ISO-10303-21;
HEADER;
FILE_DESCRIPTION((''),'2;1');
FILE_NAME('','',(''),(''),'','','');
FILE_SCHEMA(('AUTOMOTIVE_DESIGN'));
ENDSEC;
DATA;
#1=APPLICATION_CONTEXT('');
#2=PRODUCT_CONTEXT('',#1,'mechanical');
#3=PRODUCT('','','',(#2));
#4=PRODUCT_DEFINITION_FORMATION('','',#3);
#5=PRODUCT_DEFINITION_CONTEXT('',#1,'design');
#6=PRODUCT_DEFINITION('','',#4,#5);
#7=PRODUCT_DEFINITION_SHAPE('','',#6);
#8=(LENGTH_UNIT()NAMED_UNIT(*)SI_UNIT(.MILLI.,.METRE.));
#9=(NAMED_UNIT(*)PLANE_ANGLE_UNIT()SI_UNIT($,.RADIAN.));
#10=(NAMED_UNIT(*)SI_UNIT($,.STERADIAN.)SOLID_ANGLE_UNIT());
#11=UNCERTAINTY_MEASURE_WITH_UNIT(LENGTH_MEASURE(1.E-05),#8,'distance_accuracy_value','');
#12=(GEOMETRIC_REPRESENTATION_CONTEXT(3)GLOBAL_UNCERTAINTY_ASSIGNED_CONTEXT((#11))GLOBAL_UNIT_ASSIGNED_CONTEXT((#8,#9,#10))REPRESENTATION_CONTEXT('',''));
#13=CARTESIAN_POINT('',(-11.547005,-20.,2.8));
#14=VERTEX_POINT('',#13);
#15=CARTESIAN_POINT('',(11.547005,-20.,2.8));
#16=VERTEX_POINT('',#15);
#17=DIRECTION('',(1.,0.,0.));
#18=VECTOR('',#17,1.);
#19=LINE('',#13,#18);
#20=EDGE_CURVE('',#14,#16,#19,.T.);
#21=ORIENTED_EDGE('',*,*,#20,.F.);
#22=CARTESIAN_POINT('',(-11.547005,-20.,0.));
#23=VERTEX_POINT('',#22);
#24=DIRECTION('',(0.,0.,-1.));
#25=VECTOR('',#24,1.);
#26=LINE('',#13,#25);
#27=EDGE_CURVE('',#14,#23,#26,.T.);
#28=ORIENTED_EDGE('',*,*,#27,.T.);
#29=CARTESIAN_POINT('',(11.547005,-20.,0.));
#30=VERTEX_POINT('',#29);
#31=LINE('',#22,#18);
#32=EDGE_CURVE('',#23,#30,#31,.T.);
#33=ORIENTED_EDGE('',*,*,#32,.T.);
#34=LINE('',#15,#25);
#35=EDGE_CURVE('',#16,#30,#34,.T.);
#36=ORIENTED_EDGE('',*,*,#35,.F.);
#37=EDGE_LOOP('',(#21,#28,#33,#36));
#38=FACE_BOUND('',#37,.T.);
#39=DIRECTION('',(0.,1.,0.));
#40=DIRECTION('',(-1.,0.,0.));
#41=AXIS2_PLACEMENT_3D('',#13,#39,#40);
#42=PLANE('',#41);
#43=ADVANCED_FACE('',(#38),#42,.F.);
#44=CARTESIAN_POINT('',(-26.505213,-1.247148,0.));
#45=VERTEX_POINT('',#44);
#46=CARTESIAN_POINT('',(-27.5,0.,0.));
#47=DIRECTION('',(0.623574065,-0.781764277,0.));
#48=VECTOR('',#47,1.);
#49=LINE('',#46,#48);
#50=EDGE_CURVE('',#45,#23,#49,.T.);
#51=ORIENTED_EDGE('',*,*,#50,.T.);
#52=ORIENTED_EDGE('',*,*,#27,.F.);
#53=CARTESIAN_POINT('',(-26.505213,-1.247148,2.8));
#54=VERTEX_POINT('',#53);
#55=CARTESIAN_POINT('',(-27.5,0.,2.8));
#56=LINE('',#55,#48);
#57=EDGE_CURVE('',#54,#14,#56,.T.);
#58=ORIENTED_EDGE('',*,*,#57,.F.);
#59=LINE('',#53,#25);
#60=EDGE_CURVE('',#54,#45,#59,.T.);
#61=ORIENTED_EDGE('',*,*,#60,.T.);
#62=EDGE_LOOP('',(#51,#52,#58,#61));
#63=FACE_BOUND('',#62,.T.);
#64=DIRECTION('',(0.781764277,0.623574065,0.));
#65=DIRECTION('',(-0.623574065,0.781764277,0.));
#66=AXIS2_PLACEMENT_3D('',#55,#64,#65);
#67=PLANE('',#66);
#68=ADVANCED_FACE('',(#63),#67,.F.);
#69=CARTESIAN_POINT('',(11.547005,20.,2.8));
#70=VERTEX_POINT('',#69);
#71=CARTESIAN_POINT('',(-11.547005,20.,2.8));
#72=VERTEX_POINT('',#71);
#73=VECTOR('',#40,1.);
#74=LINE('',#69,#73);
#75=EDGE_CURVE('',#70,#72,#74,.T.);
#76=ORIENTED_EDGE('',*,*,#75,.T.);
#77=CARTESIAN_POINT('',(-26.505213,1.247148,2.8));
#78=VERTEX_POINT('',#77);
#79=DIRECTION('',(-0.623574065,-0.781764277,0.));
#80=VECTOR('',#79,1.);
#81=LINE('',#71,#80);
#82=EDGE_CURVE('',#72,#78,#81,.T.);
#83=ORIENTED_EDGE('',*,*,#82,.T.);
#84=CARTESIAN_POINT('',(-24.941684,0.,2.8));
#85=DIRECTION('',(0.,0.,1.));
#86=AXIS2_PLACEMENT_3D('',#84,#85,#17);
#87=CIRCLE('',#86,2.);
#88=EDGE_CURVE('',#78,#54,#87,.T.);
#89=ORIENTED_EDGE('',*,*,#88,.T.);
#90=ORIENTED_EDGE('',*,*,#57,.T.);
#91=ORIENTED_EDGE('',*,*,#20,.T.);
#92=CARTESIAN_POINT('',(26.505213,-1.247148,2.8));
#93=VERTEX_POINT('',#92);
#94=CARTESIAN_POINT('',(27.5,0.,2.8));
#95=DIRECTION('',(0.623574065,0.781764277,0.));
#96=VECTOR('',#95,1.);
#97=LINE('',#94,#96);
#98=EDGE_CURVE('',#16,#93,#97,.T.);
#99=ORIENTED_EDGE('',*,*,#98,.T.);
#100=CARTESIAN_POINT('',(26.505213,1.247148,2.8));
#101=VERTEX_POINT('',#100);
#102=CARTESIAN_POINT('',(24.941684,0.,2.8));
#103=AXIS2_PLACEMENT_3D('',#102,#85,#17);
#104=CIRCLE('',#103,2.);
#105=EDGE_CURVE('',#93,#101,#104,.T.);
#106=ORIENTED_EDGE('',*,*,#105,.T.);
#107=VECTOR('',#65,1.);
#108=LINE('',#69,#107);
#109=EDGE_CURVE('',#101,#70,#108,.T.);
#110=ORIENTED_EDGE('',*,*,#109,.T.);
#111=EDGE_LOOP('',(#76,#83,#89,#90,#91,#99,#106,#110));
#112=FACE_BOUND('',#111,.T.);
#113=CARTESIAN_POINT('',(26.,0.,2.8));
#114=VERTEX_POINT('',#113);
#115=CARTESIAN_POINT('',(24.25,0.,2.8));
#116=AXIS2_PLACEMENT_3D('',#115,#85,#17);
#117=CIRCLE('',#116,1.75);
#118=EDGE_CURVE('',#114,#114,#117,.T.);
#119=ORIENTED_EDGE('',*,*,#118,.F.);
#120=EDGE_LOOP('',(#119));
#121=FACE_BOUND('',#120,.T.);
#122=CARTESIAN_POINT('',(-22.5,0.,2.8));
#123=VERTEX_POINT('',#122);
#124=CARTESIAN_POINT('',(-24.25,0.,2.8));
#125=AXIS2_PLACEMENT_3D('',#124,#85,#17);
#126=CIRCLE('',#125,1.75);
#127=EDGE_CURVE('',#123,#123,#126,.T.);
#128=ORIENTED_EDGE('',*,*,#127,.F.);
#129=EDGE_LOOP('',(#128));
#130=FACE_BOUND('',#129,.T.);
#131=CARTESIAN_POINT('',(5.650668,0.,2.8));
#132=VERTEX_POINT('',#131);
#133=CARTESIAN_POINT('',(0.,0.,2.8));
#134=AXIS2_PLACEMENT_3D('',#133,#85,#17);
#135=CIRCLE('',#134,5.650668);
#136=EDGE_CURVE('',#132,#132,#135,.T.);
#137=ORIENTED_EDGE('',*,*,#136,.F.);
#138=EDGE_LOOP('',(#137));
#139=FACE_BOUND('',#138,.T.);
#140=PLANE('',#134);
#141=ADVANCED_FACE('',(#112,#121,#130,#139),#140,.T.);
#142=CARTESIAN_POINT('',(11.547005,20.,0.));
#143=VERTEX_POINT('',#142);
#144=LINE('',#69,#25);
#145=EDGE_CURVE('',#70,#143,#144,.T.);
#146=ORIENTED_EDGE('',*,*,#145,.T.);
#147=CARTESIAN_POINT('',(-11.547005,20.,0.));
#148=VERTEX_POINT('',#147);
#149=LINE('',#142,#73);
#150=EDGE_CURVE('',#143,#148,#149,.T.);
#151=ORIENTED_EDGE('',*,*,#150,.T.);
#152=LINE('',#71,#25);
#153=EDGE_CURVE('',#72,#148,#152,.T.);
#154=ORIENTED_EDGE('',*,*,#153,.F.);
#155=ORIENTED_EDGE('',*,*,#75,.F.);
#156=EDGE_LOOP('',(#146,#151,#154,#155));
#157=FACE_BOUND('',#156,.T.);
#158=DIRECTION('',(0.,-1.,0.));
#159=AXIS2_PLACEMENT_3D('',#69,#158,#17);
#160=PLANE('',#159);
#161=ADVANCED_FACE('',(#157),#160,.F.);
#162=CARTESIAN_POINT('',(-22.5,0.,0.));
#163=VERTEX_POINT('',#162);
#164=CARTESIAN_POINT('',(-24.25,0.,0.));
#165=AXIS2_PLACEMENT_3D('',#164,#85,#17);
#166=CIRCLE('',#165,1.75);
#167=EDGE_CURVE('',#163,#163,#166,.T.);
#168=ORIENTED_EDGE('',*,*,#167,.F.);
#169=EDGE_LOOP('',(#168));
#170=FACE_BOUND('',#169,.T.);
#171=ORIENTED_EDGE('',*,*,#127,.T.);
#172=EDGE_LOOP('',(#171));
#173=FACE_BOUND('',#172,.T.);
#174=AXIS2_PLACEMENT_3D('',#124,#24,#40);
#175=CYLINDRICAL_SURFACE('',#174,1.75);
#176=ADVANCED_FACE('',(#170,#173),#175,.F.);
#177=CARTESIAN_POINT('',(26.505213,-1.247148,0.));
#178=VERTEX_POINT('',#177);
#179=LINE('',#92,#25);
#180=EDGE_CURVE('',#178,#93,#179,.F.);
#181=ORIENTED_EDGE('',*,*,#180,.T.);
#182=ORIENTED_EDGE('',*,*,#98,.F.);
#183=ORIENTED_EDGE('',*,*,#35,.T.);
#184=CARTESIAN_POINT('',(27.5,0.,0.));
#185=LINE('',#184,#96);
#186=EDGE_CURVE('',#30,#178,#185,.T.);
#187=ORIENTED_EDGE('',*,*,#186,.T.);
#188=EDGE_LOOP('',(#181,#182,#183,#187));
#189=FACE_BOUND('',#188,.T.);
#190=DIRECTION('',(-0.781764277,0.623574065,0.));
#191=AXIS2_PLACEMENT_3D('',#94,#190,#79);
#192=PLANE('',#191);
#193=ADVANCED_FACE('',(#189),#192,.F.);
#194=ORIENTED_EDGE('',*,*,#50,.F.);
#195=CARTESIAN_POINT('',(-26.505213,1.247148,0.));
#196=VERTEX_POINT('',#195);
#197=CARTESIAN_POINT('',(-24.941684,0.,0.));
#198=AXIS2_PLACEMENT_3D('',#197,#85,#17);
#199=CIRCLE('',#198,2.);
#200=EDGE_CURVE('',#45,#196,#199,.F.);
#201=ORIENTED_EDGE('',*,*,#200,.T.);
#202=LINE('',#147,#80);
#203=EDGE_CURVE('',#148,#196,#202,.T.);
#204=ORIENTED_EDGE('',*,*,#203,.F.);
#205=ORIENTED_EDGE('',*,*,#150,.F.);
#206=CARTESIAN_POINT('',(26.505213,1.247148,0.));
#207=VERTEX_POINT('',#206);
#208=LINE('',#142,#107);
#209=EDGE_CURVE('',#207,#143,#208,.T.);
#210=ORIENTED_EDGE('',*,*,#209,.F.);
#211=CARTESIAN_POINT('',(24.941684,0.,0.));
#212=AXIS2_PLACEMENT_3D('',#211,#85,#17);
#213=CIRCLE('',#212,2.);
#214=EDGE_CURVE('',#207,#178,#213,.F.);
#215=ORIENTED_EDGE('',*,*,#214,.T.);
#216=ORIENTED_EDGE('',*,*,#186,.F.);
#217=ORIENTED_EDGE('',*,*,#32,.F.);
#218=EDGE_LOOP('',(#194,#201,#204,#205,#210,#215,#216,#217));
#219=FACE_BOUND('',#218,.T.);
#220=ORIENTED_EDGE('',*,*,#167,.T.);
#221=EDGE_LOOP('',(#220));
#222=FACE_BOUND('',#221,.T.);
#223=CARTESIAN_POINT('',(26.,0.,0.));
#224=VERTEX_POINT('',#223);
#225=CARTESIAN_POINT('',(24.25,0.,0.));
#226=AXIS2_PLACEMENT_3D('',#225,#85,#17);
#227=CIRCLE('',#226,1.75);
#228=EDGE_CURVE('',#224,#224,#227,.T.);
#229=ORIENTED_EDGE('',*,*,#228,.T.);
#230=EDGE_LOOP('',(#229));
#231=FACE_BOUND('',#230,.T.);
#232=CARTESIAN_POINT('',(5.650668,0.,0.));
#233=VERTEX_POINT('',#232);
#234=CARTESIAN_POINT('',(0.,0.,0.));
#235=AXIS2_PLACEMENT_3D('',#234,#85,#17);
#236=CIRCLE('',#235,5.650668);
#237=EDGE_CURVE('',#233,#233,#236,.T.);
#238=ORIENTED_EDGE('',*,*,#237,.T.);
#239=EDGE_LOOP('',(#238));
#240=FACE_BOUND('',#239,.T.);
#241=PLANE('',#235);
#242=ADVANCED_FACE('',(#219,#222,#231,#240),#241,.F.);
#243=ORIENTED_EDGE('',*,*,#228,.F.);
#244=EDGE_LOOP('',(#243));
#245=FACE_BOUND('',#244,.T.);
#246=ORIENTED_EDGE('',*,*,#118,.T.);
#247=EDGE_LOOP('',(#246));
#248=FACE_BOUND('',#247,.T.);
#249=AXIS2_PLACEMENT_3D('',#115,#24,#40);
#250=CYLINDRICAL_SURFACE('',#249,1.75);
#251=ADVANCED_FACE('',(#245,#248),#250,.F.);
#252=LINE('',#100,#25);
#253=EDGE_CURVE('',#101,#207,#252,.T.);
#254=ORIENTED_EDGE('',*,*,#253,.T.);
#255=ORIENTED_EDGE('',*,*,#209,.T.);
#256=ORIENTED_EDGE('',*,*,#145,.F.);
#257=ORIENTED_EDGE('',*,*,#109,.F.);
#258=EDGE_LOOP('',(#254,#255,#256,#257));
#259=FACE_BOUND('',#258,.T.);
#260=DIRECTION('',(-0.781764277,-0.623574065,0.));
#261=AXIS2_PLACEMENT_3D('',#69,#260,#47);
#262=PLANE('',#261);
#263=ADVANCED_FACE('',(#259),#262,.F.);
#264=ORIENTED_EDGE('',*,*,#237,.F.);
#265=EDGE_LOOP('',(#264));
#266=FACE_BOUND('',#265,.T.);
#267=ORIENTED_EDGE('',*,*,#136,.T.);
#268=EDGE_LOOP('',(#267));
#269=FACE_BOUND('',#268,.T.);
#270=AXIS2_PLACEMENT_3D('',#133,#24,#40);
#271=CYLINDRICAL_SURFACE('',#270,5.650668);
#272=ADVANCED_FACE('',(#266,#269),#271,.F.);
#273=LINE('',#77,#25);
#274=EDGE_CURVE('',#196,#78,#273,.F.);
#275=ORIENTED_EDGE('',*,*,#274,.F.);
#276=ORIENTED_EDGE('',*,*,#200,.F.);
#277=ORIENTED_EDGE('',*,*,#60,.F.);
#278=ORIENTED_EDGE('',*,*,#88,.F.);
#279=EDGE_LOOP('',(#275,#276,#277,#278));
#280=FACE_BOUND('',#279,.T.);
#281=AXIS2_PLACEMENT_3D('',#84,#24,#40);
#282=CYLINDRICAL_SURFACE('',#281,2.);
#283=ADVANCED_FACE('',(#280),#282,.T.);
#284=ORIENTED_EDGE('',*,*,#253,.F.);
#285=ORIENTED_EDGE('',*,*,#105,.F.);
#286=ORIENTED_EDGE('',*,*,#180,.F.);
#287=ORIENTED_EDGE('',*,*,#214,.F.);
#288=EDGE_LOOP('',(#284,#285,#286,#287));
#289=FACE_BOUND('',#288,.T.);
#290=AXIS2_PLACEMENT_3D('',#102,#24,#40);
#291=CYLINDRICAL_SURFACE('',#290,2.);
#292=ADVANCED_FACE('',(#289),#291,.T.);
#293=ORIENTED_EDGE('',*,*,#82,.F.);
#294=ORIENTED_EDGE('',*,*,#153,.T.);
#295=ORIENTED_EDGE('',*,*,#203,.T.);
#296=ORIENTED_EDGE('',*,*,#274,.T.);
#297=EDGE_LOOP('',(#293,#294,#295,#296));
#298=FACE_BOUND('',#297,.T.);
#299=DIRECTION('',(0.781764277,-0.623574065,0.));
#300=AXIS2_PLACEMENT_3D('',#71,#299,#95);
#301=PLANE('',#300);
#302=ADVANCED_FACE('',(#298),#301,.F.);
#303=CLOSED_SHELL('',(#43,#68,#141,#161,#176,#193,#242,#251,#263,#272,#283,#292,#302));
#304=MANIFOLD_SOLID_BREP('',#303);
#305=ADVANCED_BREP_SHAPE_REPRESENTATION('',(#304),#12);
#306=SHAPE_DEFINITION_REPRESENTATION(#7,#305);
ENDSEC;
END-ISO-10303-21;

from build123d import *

# Parameters (mm, degrees)
SKETCH1_R           = 5.650668072
SKETCH1_R_2         = 1.75
BOSS_EXTRUDE1_DEPTH = 2.8
FILLET1_R           = 2


with BuildPart() as part:
    # Sketch1 → Boss-Extrude1 (new body)
    with BuildSketch(Plane.XY):
        Polygon((11.547005384, 20), (27.5, 0), (11.547005384, -20), (-11.547005384, -20), (-27.5, 0), (-11.547005384, 20), align=None)
        Circle(SKETCH1_R, mode=Mode.SUBTRACT)
        with Locations((-24.25, 0)):
            Circle(SKETCH1_R_2, mode=Mode.SUBTRACT)
        with Locations((24.25, 0)):
            Circle(SKETCH1_R_2, mode=Mode.SUBTRACT)
    extrude(amount=BOSS_EXTRUDE1_DEPTH)

    # Fillet1
    fillet1_edges = [part.edges().sort_by_distance(p)[0] for p in [
        (27.5, 0, 1.4),
        (-27.5, 0, 1.4),
    ]]
    fillet(fillet1_edges, radius=FILLET1_R)


solid = part.part
